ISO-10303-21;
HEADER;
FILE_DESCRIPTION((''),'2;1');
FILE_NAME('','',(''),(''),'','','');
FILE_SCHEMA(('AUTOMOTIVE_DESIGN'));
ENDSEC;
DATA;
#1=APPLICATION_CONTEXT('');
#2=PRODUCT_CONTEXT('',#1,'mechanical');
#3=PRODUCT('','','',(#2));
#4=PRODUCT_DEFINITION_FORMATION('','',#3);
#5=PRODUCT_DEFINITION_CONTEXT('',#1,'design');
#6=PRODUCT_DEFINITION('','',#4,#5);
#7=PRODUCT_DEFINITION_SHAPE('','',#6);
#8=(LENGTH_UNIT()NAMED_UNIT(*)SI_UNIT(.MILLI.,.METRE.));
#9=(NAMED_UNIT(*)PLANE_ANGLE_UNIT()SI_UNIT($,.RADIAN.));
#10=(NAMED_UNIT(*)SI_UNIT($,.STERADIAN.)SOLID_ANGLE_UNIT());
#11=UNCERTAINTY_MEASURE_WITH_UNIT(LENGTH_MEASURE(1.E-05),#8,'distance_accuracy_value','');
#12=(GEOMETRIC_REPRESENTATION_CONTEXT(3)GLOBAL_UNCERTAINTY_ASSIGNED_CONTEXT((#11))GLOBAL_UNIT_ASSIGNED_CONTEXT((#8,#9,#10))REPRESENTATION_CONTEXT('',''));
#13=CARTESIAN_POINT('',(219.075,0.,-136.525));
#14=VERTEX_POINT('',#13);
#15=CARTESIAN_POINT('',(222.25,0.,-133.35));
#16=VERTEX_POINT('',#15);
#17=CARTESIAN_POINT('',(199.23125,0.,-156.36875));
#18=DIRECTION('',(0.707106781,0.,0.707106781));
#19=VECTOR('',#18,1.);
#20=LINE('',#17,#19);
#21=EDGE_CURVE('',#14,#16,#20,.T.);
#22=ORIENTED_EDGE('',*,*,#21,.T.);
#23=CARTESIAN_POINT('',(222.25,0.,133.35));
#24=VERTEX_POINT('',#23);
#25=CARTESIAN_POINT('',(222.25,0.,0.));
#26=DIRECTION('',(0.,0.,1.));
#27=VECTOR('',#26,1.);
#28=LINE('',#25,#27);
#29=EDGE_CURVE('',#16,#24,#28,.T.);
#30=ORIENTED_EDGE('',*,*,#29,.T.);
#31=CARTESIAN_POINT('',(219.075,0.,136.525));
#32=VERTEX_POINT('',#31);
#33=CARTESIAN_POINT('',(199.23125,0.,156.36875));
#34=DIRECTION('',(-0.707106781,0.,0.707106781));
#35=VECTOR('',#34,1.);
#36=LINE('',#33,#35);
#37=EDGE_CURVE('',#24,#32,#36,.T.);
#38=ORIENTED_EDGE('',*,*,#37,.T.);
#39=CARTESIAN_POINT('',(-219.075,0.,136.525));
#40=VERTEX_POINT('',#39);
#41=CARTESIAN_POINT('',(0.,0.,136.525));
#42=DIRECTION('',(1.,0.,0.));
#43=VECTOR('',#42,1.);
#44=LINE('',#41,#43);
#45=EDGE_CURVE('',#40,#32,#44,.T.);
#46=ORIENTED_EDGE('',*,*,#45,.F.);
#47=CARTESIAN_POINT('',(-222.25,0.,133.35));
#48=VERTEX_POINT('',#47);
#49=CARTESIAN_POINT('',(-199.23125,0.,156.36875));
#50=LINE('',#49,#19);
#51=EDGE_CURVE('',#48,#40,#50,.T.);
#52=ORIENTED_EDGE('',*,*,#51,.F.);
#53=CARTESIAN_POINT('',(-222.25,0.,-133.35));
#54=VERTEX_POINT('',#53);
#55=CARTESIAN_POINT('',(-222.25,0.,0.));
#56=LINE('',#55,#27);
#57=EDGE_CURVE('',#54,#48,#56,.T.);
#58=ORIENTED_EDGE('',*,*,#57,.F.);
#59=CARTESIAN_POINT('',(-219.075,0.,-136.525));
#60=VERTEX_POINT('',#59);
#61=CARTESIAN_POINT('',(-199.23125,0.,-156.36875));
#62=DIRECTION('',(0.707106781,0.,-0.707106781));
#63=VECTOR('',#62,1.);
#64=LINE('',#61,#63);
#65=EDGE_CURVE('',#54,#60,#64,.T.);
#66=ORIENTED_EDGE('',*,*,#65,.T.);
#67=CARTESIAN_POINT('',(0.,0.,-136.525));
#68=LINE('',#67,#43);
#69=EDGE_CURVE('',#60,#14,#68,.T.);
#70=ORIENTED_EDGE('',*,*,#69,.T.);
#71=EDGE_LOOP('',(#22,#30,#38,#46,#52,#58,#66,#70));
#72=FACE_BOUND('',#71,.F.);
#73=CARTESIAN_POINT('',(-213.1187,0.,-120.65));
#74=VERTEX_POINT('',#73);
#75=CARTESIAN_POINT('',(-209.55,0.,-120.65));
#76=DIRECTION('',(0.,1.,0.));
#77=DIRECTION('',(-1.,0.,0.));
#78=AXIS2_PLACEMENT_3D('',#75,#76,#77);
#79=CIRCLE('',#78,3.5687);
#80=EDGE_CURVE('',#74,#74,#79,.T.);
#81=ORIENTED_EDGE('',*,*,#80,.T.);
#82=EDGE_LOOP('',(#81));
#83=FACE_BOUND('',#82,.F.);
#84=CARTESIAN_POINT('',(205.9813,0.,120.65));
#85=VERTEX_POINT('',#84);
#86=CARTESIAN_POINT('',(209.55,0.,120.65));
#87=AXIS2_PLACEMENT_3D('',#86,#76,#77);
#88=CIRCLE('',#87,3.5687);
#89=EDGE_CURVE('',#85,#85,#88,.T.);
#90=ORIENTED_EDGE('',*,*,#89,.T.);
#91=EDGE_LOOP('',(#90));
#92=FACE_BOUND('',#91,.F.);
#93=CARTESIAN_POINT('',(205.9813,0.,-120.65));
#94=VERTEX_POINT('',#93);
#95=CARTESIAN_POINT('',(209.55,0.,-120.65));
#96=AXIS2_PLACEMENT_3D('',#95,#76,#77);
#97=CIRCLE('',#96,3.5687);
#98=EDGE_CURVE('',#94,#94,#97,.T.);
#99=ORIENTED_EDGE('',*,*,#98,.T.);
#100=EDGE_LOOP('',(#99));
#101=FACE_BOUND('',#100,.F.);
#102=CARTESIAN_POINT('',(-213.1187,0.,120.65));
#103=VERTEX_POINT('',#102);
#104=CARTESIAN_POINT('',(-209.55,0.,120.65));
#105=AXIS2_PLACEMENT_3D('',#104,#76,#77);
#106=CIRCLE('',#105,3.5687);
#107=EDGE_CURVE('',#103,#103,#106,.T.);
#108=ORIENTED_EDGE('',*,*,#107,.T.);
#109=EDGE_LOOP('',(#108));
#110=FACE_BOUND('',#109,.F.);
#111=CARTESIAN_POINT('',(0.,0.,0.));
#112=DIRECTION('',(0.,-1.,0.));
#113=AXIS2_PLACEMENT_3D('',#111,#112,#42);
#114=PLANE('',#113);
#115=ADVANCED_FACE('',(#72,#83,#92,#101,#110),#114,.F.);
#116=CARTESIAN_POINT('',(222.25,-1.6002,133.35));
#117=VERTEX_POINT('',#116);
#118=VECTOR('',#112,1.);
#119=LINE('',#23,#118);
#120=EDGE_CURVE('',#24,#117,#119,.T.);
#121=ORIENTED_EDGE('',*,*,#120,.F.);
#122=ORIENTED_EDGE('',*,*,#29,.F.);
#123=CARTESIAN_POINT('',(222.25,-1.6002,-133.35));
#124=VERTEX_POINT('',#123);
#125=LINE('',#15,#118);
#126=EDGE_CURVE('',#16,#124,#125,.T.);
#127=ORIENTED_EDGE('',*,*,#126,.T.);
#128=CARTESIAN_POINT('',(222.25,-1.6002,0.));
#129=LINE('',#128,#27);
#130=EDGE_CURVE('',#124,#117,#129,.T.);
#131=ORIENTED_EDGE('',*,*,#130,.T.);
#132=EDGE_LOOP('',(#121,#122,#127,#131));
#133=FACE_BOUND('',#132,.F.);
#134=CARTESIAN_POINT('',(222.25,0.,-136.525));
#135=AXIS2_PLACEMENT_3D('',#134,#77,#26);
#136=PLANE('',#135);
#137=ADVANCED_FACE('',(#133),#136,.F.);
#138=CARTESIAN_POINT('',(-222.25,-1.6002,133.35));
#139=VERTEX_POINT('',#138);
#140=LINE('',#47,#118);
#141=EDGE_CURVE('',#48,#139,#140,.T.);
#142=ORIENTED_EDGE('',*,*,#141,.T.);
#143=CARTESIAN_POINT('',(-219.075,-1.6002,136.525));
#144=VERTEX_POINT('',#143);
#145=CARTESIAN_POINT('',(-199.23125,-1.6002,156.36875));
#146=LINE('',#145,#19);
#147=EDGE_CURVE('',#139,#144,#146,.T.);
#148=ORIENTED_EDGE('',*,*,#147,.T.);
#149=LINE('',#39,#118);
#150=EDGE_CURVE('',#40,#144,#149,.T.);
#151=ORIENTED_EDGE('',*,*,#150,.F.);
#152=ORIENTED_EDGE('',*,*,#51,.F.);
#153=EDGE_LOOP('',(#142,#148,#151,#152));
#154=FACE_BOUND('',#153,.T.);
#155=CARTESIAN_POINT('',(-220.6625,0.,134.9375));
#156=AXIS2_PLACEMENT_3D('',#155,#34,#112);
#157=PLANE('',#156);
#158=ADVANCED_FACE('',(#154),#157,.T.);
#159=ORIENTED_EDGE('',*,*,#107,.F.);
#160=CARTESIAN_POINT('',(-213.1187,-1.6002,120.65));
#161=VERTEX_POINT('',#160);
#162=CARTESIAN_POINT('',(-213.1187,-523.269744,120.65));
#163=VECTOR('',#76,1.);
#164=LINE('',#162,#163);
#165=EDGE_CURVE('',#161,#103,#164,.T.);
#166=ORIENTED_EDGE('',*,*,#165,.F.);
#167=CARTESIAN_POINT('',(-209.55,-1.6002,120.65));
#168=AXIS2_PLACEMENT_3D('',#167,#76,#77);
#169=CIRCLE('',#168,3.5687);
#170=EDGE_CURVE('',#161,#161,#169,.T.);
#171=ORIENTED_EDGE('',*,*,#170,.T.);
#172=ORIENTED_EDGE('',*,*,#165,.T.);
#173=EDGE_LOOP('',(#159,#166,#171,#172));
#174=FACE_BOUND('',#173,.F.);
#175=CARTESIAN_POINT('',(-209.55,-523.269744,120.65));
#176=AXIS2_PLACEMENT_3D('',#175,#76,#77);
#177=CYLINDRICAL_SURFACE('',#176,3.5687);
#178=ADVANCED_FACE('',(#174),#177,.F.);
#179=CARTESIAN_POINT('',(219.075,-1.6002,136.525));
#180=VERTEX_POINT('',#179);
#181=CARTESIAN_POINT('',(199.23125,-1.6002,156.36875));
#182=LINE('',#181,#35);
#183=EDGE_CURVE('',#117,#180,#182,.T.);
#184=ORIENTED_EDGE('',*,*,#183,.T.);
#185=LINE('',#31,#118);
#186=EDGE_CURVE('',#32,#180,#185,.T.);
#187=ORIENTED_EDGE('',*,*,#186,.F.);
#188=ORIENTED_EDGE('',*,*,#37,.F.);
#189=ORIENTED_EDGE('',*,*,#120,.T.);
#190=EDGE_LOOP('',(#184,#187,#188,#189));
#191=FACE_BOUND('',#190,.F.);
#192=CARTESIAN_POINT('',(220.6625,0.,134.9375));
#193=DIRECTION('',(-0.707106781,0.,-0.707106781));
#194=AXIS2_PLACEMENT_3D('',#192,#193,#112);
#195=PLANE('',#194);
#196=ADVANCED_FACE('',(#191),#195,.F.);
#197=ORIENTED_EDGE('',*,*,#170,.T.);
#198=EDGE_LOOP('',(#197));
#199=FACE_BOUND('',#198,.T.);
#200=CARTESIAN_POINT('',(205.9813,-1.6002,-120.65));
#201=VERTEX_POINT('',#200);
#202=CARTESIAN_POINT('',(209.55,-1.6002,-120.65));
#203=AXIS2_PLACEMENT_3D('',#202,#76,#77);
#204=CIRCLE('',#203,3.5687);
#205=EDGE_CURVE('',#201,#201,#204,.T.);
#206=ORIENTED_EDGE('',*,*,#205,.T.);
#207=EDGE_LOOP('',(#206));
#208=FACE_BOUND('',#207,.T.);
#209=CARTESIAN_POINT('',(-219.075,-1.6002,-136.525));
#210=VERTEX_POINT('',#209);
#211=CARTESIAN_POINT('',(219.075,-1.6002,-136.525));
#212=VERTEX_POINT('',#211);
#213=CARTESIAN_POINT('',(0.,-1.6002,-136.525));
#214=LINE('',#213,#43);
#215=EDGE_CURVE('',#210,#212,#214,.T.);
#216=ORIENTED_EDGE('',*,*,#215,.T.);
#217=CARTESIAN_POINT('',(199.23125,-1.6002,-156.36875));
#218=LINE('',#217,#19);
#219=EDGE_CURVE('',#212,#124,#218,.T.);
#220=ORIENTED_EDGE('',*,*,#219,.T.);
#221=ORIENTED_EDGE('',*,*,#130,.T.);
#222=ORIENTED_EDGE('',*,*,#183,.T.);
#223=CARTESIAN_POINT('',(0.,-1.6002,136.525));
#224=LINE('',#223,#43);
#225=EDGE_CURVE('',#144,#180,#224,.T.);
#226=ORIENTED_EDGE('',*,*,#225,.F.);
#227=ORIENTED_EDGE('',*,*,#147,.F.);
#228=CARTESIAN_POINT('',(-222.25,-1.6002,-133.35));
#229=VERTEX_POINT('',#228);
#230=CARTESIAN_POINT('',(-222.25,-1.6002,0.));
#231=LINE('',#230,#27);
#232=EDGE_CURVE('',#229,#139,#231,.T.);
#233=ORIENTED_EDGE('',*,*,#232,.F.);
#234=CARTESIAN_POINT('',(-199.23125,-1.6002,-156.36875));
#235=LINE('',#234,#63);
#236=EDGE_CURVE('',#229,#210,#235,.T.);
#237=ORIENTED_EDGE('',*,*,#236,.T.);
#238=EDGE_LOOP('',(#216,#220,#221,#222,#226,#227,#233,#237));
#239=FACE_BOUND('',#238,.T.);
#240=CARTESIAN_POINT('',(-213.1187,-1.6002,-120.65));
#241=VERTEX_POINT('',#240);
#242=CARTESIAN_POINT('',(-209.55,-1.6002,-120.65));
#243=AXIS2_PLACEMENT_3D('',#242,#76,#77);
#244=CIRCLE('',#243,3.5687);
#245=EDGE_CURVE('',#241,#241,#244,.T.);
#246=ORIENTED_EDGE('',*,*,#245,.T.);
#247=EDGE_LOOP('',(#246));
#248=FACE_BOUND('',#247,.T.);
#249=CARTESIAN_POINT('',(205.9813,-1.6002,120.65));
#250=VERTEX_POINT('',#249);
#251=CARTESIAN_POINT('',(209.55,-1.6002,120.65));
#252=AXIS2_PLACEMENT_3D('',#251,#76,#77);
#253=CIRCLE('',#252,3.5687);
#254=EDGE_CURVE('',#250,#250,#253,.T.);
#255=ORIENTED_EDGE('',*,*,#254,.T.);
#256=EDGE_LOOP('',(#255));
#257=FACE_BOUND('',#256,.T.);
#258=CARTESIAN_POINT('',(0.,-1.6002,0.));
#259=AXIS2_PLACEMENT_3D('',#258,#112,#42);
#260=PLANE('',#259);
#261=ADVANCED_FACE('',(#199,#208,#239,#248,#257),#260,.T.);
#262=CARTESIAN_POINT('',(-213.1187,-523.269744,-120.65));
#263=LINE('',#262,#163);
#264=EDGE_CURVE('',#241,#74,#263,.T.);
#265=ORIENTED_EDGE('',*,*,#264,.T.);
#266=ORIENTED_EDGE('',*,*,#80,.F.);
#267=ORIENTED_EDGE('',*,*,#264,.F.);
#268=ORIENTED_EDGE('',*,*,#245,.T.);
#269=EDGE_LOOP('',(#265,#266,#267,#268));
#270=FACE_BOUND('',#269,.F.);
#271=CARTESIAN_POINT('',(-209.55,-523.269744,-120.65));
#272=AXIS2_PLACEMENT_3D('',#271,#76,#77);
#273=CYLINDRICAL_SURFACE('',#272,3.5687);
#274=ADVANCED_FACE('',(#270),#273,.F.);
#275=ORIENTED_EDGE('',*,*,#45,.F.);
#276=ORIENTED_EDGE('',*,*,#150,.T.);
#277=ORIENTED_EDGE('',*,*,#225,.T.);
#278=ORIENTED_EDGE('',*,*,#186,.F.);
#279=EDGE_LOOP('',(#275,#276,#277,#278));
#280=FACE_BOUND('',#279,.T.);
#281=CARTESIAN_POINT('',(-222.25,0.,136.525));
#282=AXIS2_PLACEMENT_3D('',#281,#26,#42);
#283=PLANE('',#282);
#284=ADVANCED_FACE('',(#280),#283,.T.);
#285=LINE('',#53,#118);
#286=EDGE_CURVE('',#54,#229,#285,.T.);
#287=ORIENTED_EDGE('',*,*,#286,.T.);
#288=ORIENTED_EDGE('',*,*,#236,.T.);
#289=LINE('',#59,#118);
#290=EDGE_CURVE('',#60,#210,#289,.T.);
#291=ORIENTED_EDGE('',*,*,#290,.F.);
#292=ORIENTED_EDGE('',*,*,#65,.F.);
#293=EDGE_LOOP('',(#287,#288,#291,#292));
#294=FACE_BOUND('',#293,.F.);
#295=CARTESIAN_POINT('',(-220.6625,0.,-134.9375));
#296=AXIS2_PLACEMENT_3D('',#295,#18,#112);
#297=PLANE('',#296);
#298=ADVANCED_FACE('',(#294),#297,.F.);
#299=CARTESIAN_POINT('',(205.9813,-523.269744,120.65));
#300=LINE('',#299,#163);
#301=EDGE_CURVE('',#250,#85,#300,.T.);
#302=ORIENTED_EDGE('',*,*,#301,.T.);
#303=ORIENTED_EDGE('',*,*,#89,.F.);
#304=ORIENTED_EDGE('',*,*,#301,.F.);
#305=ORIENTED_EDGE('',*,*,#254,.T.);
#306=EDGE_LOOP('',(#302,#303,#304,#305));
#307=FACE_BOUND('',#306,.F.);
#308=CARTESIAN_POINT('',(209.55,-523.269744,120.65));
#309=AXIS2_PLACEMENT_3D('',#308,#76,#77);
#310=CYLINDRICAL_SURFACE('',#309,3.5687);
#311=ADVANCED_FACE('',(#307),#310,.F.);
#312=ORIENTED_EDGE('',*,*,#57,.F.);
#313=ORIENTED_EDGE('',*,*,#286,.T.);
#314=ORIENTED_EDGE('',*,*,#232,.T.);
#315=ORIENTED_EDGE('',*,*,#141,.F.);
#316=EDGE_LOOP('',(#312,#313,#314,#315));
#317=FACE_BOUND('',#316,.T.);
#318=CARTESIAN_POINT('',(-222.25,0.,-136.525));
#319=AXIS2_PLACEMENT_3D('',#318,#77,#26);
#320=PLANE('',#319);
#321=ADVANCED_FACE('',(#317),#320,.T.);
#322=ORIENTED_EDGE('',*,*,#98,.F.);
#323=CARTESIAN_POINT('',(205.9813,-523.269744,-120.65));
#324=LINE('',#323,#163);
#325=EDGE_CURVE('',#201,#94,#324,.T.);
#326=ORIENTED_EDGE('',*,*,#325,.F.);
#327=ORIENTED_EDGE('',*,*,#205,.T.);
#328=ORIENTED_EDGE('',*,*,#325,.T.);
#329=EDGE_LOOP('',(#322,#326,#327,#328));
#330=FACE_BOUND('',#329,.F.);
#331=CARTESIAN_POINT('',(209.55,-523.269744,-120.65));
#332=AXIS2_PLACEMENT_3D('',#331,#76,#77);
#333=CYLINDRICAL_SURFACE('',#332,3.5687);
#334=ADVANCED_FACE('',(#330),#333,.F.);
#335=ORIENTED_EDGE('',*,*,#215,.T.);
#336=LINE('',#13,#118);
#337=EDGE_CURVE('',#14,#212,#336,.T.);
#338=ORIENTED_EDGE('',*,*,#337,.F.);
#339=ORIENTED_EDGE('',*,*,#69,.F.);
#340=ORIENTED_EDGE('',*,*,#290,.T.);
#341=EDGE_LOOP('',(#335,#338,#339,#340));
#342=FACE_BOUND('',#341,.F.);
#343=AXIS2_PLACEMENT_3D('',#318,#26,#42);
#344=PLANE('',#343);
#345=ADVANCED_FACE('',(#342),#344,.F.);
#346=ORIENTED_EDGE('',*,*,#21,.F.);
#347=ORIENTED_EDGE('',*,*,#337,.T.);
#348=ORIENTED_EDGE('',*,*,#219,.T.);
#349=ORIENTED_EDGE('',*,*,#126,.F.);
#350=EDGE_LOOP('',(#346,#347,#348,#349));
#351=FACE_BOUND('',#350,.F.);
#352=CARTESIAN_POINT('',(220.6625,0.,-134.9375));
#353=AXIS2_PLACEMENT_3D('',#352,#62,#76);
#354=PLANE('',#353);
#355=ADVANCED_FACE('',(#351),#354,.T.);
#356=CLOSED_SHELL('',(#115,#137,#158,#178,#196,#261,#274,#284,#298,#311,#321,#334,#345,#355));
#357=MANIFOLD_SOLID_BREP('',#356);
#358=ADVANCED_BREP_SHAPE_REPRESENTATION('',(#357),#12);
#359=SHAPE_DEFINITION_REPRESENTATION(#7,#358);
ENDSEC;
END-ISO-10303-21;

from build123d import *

# Parameters (mm, degrees)
F0_W     = 444.5
F0_H     = 273.05
F1_DEPTH = 1.6002
F2_SIZE  = 3.175
F4_D     = 7.1374


with BuildPart() as f1:
    # F0 (on Front) → F1 (new body)
    with BuildSketch(Plane.XZ):
        Rectangle(F0_W, F0_H)
    extrude(amount=F1_DEPTH)

    # F2
    f2_edges = [f1.edges().sort_by_distance(p)[0] for p in [
        (-222.25, -0.8001, 136.525),
        (-222.25, -0.8001, -136.525),
        (222.25, -0.8001, -136.525),
        (222.25, -0.8001, 136.525),
    ]]
    chamfer(f2_edges, length=F2_SIZE)

    # F4 (through all)
    with Locations(Plane.XZ.offset(1.6002)):
        with Locations((-209.55, 120.65), (209.55, 120.65), (209.55, -120.65), (-209.55, -120.65)):
            Hole(F4_D / 2)


solid = f1.part
